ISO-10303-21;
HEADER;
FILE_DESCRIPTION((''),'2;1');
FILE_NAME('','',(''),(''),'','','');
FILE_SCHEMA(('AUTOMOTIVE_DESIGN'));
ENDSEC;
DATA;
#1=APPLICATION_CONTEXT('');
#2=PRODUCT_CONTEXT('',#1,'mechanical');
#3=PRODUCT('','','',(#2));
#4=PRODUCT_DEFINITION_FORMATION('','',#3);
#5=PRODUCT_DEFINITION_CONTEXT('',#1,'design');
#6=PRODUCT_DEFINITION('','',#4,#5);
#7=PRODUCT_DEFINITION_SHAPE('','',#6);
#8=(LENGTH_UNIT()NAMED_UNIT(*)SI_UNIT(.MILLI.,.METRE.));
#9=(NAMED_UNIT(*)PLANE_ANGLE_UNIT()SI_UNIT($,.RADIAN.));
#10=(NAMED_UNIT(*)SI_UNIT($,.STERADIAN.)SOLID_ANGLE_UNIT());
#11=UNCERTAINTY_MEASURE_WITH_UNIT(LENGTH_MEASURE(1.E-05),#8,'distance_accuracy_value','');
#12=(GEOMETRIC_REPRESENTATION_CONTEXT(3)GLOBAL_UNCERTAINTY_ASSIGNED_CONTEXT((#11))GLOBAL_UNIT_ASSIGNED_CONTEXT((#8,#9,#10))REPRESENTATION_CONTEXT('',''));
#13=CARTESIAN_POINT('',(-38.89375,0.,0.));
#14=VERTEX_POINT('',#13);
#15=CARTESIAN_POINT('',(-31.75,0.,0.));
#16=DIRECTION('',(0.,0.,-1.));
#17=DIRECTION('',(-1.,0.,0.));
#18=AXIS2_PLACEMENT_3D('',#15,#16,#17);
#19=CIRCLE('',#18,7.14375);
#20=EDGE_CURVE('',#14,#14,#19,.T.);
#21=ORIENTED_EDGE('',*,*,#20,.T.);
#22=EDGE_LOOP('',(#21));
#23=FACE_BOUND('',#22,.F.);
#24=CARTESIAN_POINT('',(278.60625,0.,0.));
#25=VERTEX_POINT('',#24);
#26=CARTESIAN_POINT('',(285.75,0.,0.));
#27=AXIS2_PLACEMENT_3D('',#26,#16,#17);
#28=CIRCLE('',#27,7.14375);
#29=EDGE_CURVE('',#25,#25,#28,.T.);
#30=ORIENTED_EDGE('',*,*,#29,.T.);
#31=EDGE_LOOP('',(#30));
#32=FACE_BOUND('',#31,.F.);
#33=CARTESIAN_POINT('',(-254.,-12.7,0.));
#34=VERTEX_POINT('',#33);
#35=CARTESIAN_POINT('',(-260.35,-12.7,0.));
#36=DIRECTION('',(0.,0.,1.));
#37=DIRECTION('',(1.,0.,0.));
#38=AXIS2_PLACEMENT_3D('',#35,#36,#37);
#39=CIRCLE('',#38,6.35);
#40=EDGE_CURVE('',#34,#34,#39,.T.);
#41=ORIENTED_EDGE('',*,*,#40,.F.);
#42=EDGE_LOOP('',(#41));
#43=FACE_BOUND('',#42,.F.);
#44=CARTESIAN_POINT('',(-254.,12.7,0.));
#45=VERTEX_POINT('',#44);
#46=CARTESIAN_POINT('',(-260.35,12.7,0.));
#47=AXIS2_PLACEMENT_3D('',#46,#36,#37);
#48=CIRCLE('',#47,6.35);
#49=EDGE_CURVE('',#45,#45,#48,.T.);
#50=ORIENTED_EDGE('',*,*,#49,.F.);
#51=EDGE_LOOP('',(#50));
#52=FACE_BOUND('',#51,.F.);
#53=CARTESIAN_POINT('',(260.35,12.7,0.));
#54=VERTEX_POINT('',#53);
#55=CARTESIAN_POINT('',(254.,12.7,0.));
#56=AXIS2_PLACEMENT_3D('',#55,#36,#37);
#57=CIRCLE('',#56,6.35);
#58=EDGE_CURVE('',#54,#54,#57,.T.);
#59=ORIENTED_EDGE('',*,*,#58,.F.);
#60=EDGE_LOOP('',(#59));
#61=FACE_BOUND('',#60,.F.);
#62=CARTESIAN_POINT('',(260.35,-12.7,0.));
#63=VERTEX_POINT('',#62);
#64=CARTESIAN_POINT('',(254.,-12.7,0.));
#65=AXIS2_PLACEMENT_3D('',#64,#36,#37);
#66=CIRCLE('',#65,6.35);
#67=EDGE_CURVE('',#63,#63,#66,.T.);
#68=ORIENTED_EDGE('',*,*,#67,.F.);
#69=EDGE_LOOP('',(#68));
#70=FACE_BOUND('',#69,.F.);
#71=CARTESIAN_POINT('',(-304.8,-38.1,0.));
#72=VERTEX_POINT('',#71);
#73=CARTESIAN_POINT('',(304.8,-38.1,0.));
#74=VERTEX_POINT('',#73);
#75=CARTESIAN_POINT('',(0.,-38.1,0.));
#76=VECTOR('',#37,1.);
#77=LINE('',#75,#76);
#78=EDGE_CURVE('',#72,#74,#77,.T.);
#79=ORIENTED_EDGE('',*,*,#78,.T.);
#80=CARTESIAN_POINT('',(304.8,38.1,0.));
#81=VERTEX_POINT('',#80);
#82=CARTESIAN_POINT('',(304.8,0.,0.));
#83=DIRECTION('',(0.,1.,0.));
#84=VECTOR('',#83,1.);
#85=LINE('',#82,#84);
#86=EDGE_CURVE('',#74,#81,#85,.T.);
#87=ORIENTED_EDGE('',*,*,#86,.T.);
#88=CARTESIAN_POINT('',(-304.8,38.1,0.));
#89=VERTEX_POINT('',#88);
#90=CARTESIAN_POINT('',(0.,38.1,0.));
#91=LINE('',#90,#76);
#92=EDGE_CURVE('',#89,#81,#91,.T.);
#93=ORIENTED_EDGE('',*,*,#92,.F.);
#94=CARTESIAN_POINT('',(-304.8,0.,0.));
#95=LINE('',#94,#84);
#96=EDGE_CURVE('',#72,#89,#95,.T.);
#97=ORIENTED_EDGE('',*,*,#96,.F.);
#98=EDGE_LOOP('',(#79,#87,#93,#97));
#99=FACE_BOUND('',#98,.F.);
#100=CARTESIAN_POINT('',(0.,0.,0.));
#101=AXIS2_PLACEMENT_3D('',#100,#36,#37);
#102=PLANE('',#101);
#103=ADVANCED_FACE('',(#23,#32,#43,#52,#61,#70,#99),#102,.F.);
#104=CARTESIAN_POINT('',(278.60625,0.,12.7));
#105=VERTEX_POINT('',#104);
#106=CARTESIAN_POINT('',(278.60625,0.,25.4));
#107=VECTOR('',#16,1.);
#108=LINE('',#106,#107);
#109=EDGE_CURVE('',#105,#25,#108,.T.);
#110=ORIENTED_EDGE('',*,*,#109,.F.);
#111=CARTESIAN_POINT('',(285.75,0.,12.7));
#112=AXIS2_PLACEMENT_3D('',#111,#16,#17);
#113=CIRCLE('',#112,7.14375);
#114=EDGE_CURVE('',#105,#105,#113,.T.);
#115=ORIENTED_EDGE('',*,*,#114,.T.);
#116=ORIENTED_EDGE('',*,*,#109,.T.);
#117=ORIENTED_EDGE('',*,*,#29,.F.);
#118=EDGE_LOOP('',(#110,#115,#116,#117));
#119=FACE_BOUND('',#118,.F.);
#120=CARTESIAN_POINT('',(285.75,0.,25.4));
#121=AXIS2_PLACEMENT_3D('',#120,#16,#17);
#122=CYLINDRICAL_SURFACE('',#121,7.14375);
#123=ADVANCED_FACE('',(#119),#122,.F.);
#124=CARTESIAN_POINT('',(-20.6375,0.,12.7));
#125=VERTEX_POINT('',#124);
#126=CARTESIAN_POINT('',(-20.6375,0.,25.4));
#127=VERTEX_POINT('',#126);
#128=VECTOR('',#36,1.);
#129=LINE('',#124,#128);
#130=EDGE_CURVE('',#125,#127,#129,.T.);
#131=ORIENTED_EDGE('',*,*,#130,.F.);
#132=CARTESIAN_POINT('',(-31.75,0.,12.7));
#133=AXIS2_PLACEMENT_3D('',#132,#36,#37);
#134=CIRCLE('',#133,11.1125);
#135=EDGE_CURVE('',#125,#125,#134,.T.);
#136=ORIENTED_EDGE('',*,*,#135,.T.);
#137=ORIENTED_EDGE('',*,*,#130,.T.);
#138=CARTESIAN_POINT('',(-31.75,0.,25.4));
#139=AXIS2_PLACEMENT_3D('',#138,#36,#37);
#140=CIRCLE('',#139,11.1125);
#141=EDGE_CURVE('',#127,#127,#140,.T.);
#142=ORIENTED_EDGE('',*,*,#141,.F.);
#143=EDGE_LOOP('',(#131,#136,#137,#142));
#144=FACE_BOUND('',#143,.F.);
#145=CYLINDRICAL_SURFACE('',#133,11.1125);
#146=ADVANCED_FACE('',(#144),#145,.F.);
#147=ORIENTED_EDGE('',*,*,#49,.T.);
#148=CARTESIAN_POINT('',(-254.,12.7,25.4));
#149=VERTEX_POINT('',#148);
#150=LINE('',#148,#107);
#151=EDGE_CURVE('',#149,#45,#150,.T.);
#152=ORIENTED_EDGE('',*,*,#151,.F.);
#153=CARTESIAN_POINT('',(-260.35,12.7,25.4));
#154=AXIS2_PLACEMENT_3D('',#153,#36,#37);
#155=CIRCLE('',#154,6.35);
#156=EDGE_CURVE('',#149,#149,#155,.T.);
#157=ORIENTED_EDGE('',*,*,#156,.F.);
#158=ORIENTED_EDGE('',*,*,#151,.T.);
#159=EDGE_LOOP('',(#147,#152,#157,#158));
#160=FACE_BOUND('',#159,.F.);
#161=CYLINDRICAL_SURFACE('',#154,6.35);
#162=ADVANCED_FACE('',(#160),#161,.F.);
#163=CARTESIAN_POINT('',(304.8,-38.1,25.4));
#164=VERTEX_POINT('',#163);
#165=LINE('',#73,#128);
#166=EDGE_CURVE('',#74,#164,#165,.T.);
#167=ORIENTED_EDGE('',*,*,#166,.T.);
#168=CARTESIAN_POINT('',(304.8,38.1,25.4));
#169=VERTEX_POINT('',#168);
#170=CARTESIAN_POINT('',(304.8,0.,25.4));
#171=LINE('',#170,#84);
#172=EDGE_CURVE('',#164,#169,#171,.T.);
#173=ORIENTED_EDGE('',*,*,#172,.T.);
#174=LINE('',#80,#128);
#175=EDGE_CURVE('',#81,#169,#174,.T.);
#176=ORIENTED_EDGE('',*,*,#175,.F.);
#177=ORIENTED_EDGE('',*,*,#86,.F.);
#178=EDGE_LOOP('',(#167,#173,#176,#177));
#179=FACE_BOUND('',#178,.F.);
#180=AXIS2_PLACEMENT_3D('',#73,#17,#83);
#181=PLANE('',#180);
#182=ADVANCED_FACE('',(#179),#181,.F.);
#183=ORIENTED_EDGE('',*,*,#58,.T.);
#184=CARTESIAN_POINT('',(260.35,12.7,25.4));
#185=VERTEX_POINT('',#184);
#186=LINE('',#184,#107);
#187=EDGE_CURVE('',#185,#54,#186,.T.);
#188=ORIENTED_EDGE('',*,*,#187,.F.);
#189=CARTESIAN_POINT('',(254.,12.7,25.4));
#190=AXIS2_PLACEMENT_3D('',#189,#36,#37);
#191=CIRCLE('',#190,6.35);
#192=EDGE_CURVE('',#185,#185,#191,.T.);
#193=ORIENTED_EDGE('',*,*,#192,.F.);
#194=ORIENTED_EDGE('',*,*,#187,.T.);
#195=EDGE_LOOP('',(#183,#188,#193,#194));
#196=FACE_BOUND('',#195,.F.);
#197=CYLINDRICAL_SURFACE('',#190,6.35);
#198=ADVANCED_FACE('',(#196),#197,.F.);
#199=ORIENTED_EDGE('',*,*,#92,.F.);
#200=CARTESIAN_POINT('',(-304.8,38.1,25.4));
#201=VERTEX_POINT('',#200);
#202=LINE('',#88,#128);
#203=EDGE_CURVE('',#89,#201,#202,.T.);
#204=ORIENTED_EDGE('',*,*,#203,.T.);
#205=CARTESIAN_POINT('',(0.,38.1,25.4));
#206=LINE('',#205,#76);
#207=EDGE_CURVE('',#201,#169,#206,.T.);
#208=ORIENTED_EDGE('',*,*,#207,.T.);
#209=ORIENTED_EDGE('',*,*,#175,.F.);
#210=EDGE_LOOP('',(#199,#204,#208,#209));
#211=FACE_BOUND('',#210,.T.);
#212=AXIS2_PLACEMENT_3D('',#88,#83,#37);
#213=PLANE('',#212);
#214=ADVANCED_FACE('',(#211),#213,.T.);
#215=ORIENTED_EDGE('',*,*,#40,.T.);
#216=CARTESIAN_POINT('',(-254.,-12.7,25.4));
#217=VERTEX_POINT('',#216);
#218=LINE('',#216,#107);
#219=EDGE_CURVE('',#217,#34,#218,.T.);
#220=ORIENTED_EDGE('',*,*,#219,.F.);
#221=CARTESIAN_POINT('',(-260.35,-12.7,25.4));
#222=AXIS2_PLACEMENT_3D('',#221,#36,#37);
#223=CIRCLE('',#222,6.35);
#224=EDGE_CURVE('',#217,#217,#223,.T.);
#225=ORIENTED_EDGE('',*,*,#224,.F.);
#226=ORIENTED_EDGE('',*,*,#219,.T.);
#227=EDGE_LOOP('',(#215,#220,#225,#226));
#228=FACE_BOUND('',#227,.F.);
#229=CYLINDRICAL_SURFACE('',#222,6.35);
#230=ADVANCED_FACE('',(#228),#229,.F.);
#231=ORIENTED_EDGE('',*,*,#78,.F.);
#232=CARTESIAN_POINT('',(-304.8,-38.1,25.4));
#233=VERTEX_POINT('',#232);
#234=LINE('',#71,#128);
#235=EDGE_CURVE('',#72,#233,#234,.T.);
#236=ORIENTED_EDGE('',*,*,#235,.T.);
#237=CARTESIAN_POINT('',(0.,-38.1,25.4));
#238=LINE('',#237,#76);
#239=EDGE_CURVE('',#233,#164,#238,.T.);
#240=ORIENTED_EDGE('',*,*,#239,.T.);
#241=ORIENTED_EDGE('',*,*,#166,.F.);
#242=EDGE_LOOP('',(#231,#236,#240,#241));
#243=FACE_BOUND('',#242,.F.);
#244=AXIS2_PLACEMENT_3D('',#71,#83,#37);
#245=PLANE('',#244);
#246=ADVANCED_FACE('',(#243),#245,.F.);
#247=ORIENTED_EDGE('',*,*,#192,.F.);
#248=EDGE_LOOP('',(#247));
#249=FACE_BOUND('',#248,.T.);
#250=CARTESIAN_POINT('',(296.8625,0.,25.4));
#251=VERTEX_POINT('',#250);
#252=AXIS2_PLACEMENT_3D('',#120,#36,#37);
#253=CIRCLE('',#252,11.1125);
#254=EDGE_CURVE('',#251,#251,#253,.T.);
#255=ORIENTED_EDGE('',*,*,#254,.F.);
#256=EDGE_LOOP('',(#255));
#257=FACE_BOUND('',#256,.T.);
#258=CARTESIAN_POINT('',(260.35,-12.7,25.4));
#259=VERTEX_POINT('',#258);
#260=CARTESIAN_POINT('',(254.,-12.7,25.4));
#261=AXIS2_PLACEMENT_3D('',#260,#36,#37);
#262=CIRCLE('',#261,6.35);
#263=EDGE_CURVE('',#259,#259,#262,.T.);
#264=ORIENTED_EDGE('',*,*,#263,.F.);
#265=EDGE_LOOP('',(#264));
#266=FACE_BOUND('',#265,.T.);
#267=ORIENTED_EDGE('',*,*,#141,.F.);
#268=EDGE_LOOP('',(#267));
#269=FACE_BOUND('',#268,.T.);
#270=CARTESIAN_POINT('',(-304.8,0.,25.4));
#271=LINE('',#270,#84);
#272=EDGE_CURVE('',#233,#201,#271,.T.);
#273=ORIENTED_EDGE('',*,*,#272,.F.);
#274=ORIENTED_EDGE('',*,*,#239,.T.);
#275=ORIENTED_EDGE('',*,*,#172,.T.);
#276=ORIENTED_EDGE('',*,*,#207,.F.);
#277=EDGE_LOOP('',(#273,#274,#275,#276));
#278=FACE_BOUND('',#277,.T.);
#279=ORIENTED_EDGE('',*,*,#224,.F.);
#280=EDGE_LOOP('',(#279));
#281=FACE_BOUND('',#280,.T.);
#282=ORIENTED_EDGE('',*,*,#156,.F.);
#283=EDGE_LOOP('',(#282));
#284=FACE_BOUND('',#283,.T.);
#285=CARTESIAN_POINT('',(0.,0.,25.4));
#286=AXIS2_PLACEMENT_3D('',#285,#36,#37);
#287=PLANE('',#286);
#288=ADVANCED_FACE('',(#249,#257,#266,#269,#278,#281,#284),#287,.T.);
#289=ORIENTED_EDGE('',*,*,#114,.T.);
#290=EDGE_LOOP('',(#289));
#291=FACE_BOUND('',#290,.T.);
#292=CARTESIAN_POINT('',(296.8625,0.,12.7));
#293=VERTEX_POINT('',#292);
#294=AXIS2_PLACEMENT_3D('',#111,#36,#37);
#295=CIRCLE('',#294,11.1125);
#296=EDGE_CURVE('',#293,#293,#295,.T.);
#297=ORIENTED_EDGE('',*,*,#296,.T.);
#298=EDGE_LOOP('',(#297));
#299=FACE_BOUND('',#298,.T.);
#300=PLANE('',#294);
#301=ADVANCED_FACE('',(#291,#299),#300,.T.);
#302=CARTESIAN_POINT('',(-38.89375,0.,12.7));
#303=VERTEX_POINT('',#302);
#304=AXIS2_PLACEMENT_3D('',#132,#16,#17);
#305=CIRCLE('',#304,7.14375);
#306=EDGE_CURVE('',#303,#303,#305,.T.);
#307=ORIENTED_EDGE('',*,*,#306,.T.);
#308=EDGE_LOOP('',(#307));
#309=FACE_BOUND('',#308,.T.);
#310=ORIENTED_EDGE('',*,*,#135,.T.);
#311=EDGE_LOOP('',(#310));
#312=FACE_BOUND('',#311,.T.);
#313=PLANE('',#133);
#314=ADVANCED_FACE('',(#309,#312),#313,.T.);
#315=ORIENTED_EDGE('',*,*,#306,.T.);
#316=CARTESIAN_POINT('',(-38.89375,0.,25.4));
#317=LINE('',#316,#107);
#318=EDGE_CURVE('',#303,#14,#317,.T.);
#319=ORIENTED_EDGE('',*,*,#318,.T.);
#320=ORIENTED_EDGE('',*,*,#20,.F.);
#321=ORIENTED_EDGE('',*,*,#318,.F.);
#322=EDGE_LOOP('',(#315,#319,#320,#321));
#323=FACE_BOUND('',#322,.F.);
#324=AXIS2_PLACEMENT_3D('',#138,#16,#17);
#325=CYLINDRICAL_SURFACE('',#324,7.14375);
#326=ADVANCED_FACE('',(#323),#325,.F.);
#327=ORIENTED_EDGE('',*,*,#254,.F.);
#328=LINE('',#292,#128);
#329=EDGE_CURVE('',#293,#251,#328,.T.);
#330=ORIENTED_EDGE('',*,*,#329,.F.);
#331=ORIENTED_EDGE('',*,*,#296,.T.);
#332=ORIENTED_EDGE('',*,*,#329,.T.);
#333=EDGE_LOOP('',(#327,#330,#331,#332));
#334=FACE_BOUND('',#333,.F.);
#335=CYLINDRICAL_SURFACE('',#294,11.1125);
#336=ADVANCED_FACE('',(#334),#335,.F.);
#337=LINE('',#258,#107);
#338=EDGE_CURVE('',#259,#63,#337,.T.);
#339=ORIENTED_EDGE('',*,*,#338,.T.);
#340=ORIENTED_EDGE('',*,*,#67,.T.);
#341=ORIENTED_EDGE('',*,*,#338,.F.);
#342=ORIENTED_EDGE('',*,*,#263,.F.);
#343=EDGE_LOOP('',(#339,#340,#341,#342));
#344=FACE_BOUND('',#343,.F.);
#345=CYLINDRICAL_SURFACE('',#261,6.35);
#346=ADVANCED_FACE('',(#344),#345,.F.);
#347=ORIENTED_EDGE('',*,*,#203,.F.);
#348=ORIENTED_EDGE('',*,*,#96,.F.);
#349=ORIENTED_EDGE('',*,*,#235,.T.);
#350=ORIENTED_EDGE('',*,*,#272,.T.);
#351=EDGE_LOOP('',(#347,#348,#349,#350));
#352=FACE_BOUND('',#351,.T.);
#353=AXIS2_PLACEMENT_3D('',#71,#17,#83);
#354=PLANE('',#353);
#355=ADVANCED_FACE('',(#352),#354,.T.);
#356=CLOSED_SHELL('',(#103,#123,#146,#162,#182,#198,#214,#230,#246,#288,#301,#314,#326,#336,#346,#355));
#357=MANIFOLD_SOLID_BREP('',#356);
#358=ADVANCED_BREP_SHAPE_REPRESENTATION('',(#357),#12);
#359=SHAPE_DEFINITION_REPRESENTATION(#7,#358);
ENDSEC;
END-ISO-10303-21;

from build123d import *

# Parameters (mm, degrees)
F0_W           = 609.6
F0_H           = 76.2
F1_DEPTH       = 25.4
F2_R           = 6.35
F3_DEPTH       = 25.4
F5_D           = 14.2875
F5_CBORE_D     = 22.225
F5_CBORE_DEPTH = 12.7


with BuildPart() as f1:
    # F0 (on Top) → F1 (new body)
    with BuildSketch(Plane.XY):
        Rectangle(F0_W, F0_H)
    extrude(amount=F1_DEPTH)

    # F2 (on face) → F3 (cut)
    with BuildSketch(Plane.XY.offset(25.4)):
        with Locations((254, -12.7)):
            Circle(F2_R)
        with Locations((254, 12.7)):
            Circle(F2_R)
        with Locations((-260.35, -12.7)):
            Circle(F2_R)
        with Locations((-260.35, 12.7)):
            Circle(F2_R)
    extrude(amount=-F3_DEPTH, mode=Mode.SUBTRACT)

    # F5 (through all)
    with Locations(Plane.XY.offset(25.4)):
        with Locations((-31.75, 0), (285.75, 0)):
            CounterBoreHole(F5_D / 2, F5_CBORE_D / 2, F5_CBORE_DEPTH)


solid = f1.part
